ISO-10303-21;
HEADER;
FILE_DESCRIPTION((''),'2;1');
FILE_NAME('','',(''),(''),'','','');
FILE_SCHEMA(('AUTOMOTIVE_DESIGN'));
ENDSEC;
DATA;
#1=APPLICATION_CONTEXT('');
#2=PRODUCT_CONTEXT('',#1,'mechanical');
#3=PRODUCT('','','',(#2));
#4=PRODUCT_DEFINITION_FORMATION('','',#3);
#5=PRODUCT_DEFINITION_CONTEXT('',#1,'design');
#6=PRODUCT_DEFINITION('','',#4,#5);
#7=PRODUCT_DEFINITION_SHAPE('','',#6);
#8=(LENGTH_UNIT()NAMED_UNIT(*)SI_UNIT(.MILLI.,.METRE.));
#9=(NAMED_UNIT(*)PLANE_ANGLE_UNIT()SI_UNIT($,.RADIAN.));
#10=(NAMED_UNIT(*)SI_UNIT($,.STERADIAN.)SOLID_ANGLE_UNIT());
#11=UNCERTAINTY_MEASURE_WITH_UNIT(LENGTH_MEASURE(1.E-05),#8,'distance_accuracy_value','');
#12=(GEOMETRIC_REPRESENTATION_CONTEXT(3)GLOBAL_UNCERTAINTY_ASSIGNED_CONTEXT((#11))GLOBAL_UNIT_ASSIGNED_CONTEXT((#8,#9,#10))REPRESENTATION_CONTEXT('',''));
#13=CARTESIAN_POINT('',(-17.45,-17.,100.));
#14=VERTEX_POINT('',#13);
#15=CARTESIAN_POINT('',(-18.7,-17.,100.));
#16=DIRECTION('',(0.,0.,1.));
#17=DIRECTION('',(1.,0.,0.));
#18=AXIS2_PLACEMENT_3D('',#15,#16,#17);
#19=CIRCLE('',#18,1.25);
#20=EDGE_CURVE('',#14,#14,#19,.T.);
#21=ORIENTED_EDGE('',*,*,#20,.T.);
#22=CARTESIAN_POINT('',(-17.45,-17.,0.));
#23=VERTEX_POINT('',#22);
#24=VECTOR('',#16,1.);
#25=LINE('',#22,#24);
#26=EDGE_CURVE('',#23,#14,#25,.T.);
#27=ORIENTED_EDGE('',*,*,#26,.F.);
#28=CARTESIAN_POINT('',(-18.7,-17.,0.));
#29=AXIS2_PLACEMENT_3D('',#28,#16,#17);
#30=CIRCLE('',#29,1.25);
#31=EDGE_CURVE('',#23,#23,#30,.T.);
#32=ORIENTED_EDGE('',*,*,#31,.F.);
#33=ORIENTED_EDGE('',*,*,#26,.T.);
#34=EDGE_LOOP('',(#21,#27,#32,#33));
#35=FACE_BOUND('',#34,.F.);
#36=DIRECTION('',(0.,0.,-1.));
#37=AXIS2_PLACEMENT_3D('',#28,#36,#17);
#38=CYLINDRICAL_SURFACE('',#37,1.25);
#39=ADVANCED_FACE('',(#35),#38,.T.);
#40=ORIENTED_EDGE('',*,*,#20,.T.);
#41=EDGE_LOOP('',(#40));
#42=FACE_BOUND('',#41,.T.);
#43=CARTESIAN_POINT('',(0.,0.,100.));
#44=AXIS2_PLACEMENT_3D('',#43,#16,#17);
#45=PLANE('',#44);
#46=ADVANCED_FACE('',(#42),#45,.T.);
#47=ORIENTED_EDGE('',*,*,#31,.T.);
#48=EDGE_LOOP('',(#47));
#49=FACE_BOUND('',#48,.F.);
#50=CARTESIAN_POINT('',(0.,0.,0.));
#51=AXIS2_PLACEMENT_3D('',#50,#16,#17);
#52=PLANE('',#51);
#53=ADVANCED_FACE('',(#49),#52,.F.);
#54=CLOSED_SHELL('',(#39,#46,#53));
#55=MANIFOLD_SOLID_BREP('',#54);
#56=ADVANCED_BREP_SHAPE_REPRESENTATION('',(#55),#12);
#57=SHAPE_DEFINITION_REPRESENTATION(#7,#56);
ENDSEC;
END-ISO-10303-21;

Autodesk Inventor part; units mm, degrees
ref_plane "YZ Plane" through (0, 0, 0) normal (1, 0, 0) x (0, 1, 0)
ref_plane "XZ Plane" through (0, 0, 0) normal (0, 1, 0) x (-1, 0, 0)
ref_plane "XY Plane" through (0, 0, 0) normal (0, 0, 1) x (1, 0, 0)
sketch "Szkic1" plane through (0, 0, 0) normal (0, 0, 1) x (1, 0, 0)
  circle A0 centre (-18.7, -17) radius 1.25 projected
  point P0 (0, 0)
  dimension "d0" = 100
extrude "Wyciągnięcie proste1" add sketch "Szkic1" along normal blind 100
properties part number "rod_CPY2" material "Aluminium"
